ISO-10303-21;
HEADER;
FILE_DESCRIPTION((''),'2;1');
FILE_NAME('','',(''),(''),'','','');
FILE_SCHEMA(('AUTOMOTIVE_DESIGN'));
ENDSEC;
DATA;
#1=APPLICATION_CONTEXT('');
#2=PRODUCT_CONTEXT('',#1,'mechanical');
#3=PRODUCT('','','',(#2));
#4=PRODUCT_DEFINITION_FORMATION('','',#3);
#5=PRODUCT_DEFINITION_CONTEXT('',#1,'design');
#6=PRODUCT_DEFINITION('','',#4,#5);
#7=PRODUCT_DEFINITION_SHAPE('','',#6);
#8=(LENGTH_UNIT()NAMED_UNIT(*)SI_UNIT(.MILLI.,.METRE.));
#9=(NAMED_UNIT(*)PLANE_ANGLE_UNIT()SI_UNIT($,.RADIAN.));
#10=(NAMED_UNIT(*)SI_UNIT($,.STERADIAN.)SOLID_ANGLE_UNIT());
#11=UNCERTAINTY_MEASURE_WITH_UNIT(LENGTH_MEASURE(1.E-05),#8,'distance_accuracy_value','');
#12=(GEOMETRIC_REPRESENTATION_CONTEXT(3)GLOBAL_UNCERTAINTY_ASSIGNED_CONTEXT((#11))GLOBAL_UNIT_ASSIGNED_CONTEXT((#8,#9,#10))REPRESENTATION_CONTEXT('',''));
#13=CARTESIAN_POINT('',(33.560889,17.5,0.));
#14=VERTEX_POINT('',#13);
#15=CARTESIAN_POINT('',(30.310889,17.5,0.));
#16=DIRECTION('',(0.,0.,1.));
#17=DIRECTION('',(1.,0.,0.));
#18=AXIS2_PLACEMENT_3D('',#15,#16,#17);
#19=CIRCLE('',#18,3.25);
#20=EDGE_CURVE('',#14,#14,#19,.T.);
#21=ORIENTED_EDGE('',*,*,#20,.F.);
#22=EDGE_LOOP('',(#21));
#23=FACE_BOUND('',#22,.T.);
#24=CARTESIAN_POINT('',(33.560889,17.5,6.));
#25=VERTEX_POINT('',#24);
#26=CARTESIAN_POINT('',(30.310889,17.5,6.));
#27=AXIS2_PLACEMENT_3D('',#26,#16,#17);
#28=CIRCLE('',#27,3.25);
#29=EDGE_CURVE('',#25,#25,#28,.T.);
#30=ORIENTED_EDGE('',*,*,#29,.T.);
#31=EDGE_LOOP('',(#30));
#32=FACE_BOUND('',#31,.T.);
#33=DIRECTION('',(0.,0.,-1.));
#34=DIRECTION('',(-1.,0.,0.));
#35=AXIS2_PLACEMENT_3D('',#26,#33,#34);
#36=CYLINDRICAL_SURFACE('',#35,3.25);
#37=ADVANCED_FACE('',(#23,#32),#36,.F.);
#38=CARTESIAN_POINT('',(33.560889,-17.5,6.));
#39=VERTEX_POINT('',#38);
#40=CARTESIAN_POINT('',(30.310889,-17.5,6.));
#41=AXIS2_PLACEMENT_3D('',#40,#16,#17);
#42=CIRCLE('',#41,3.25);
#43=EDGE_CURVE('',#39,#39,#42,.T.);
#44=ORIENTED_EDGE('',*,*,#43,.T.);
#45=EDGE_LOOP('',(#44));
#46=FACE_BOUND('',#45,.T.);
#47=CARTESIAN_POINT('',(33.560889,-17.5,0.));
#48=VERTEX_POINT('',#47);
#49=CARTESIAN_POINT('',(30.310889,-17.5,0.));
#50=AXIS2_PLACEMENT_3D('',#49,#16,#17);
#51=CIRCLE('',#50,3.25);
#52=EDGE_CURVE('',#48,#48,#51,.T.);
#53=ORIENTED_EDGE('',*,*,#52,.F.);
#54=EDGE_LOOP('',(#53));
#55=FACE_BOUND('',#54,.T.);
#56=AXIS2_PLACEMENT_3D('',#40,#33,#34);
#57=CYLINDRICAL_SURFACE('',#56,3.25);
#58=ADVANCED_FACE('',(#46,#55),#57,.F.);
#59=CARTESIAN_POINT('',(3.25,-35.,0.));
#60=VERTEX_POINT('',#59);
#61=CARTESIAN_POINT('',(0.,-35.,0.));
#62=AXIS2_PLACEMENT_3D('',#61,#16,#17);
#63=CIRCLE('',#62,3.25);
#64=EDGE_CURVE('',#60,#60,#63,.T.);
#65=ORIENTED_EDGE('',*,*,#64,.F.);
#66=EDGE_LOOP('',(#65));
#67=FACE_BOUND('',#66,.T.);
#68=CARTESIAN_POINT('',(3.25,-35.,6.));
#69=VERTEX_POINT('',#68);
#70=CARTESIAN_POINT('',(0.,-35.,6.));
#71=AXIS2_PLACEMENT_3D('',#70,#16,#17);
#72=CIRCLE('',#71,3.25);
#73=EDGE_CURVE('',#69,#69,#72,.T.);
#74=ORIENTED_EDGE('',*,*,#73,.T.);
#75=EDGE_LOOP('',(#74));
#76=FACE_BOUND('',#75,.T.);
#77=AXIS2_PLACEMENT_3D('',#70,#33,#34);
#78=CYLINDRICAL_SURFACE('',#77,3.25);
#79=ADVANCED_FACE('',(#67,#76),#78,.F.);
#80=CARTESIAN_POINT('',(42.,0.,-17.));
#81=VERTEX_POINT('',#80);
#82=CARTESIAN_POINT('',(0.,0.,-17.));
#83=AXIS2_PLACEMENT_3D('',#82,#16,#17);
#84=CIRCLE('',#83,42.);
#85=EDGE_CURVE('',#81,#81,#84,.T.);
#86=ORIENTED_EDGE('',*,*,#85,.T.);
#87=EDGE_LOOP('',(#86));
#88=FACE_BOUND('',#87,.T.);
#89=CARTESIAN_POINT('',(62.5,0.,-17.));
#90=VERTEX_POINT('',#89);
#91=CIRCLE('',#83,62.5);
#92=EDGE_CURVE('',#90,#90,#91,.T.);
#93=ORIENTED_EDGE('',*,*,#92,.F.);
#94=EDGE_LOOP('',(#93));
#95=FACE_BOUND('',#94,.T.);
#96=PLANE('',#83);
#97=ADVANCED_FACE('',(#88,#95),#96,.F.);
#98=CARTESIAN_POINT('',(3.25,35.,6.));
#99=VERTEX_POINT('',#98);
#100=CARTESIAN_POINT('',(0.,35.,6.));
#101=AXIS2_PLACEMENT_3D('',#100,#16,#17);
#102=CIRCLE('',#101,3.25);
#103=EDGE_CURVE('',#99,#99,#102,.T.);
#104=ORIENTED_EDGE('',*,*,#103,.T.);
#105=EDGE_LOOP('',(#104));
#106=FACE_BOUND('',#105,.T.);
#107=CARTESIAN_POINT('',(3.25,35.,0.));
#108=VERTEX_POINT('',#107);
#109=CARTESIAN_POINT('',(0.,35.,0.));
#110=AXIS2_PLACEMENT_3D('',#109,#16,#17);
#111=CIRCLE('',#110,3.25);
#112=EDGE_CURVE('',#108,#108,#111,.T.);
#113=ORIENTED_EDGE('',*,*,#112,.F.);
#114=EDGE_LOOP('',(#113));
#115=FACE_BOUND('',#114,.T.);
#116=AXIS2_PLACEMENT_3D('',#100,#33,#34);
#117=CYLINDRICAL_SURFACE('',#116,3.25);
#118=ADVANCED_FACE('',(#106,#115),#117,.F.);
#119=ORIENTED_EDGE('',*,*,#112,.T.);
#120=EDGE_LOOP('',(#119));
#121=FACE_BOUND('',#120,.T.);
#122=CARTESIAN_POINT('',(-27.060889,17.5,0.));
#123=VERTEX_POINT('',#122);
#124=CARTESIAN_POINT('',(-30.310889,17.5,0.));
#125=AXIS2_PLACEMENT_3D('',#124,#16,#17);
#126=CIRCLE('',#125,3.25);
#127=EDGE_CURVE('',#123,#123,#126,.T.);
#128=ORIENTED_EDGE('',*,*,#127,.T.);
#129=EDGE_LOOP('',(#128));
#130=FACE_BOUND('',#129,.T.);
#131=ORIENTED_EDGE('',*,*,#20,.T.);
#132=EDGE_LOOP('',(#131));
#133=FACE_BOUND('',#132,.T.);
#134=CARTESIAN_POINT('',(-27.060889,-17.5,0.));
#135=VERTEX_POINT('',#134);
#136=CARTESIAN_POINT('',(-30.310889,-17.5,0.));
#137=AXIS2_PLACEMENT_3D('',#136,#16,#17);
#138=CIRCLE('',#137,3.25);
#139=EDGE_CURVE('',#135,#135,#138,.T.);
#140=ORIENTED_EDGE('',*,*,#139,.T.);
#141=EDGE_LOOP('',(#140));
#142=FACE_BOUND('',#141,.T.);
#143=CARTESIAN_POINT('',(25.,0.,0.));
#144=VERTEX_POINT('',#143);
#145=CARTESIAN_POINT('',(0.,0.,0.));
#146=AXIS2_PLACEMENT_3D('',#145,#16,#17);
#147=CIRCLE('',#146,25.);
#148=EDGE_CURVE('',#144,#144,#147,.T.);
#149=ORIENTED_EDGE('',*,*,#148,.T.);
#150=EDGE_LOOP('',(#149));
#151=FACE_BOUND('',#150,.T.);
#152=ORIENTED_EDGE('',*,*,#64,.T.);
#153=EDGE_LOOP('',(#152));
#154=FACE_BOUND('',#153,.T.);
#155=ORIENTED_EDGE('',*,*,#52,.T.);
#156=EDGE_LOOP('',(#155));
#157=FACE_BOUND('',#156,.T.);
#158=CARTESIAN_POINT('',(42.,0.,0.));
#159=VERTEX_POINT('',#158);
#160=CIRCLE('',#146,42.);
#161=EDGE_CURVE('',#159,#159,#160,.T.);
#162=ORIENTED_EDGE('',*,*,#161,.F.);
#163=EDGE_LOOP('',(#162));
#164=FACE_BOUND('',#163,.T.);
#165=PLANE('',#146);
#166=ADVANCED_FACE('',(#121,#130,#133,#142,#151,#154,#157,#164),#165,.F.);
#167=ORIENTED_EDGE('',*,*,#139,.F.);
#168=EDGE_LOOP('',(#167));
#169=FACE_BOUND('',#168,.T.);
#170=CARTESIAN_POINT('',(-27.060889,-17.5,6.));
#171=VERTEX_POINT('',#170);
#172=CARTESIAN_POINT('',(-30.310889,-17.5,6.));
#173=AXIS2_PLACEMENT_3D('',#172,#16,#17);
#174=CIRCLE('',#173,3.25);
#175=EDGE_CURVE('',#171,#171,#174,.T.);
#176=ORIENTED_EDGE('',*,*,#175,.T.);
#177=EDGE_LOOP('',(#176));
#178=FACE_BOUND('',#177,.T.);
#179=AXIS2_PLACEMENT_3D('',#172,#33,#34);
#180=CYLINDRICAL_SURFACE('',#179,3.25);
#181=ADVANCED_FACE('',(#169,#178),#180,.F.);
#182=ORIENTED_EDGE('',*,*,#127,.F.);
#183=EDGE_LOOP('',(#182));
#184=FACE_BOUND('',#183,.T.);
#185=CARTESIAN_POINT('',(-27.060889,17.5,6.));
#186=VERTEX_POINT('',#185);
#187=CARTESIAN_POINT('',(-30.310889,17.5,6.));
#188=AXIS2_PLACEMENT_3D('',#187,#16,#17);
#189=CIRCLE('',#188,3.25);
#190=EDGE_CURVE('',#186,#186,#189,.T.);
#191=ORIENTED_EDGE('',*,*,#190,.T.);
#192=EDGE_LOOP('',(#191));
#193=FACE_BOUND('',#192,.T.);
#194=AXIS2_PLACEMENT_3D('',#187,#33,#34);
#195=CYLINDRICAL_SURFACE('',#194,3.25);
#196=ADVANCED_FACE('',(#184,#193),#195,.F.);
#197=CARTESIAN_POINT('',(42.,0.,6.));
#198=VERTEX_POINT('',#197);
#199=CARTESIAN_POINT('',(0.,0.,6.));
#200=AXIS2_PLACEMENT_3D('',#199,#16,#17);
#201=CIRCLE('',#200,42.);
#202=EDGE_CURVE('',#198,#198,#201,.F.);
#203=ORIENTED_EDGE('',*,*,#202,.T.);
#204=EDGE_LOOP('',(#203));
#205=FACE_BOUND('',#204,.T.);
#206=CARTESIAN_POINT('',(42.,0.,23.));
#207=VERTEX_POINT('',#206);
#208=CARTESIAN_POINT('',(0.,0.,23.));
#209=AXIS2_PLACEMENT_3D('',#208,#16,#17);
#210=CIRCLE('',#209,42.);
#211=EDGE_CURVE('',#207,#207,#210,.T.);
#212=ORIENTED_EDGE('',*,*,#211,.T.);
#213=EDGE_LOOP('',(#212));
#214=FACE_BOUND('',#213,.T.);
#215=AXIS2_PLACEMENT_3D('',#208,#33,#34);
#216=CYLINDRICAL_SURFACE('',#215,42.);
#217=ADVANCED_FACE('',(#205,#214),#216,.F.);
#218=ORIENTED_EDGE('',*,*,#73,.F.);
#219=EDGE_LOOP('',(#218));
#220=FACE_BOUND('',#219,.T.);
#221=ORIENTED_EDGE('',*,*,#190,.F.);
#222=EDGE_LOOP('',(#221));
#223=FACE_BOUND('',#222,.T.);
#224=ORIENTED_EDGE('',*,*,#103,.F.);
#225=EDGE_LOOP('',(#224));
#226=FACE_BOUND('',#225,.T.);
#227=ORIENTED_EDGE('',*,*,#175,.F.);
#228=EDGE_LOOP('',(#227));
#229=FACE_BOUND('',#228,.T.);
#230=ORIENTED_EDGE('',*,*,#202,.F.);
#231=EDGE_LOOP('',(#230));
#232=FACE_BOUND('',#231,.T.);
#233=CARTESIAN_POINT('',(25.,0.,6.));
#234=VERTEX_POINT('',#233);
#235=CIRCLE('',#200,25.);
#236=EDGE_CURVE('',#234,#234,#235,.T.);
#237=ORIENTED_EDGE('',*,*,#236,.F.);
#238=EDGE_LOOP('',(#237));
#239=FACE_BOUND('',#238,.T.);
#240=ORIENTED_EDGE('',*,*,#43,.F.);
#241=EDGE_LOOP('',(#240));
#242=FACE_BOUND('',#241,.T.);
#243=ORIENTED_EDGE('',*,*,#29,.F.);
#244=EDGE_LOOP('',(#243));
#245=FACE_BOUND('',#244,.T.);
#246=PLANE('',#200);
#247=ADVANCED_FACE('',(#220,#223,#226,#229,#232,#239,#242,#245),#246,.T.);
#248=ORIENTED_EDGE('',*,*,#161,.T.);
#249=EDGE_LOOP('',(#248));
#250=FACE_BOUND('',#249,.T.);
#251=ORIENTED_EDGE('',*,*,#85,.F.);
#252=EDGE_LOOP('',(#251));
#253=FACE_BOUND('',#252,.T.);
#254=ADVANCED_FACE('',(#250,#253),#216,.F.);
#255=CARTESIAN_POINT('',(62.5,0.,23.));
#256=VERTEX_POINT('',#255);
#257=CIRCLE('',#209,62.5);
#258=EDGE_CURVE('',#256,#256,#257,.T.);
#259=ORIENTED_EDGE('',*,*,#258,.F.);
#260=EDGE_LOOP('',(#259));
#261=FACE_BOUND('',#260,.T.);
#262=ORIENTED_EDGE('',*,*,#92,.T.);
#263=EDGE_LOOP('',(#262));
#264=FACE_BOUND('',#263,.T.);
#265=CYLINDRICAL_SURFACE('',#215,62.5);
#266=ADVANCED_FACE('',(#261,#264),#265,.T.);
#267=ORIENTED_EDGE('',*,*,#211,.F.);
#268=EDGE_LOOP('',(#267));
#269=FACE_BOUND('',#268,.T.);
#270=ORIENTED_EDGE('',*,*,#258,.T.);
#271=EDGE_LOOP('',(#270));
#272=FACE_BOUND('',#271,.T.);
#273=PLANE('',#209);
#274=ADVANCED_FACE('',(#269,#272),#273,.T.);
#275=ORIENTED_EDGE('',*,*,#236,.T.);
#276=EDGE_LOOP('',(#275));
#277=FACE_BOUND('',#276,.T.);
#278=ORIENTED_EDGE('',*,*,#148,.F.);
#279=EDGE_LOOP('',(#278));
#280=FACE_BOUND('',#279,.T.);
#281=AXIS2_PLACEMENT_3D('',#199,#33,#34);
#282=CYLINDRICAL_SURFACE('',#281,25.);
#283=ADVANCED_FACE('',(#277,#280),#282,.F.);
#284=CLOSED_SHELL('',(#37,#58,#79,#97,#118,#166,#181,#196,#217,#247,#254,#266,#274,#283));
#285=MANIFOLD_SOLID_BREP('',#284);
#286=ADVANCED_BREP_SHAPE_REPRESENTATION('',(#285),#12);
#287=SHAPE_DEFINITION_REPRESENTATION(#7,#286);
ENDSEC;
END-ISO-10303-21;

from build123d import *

# Parameters (mm, degrees)
SKETCH_1_R      = 42
SKETCH_1_R_2    = 25
SKETCH_1_R_3    = 3.25
EXTRUDE_1_DEPTH = 6
EXTRUDE_START   = -3
SKETCH_2_R      = 62.5
SKETCH_2_R_2    = 42
EXTRUDE_2_DEPTH = 20


with BuildPart() as part:
    # 草图1 → 凸台-拉伸1 (new body)
    with BuildSketch(Plane.XY):
        Circle(SKETCH_1_R)
        Circle(SKETCH_1_R_2, mode=Mode.SUBTRACT)
        with Locations((0, 35)):
            Circle(SKETCH_1_R_3, mode=Mode.SUBTRACT)
        with Locations((30.310889132, 17.5)):
            Circle(SKETCH_1_R_3, mode=Mode.SUBTRACT)
        with Locations((30.310889132, -17.5)):
            Circle(SKETCH_1_R_3, mode=Mode.SUBTRACT)
        with Locations((0, -35)):
            Circle(SKETCH_1_R_3, mode=Mode.SUBTRACT)
        with Locations((-30.310889132, -17.5)):
            Circle(SKETCH_1_R_3, mode=Mode.SUBTRACT)
        with Locations((-30.310889132, 17.5)):
            Circle(SKETCH_1_R_3, mode=Mode.SUBTRACT)
    extrude(amount=EXTRUDE_1_DEPTH)

    # 草图2 → 凸台-拉伸2 (add, symmetric)
    with BuildSketch(Plane.XY.offset(6).offset(EXTRUDE_START)):
        Circle(SKETCH_2_R)
        Circle(SKETCH_2_R_2, mode=Mode.SUBTRACT)
    extrude(amount=EXTRUDE_2_DEPTH, both=True)


solid = part.part
